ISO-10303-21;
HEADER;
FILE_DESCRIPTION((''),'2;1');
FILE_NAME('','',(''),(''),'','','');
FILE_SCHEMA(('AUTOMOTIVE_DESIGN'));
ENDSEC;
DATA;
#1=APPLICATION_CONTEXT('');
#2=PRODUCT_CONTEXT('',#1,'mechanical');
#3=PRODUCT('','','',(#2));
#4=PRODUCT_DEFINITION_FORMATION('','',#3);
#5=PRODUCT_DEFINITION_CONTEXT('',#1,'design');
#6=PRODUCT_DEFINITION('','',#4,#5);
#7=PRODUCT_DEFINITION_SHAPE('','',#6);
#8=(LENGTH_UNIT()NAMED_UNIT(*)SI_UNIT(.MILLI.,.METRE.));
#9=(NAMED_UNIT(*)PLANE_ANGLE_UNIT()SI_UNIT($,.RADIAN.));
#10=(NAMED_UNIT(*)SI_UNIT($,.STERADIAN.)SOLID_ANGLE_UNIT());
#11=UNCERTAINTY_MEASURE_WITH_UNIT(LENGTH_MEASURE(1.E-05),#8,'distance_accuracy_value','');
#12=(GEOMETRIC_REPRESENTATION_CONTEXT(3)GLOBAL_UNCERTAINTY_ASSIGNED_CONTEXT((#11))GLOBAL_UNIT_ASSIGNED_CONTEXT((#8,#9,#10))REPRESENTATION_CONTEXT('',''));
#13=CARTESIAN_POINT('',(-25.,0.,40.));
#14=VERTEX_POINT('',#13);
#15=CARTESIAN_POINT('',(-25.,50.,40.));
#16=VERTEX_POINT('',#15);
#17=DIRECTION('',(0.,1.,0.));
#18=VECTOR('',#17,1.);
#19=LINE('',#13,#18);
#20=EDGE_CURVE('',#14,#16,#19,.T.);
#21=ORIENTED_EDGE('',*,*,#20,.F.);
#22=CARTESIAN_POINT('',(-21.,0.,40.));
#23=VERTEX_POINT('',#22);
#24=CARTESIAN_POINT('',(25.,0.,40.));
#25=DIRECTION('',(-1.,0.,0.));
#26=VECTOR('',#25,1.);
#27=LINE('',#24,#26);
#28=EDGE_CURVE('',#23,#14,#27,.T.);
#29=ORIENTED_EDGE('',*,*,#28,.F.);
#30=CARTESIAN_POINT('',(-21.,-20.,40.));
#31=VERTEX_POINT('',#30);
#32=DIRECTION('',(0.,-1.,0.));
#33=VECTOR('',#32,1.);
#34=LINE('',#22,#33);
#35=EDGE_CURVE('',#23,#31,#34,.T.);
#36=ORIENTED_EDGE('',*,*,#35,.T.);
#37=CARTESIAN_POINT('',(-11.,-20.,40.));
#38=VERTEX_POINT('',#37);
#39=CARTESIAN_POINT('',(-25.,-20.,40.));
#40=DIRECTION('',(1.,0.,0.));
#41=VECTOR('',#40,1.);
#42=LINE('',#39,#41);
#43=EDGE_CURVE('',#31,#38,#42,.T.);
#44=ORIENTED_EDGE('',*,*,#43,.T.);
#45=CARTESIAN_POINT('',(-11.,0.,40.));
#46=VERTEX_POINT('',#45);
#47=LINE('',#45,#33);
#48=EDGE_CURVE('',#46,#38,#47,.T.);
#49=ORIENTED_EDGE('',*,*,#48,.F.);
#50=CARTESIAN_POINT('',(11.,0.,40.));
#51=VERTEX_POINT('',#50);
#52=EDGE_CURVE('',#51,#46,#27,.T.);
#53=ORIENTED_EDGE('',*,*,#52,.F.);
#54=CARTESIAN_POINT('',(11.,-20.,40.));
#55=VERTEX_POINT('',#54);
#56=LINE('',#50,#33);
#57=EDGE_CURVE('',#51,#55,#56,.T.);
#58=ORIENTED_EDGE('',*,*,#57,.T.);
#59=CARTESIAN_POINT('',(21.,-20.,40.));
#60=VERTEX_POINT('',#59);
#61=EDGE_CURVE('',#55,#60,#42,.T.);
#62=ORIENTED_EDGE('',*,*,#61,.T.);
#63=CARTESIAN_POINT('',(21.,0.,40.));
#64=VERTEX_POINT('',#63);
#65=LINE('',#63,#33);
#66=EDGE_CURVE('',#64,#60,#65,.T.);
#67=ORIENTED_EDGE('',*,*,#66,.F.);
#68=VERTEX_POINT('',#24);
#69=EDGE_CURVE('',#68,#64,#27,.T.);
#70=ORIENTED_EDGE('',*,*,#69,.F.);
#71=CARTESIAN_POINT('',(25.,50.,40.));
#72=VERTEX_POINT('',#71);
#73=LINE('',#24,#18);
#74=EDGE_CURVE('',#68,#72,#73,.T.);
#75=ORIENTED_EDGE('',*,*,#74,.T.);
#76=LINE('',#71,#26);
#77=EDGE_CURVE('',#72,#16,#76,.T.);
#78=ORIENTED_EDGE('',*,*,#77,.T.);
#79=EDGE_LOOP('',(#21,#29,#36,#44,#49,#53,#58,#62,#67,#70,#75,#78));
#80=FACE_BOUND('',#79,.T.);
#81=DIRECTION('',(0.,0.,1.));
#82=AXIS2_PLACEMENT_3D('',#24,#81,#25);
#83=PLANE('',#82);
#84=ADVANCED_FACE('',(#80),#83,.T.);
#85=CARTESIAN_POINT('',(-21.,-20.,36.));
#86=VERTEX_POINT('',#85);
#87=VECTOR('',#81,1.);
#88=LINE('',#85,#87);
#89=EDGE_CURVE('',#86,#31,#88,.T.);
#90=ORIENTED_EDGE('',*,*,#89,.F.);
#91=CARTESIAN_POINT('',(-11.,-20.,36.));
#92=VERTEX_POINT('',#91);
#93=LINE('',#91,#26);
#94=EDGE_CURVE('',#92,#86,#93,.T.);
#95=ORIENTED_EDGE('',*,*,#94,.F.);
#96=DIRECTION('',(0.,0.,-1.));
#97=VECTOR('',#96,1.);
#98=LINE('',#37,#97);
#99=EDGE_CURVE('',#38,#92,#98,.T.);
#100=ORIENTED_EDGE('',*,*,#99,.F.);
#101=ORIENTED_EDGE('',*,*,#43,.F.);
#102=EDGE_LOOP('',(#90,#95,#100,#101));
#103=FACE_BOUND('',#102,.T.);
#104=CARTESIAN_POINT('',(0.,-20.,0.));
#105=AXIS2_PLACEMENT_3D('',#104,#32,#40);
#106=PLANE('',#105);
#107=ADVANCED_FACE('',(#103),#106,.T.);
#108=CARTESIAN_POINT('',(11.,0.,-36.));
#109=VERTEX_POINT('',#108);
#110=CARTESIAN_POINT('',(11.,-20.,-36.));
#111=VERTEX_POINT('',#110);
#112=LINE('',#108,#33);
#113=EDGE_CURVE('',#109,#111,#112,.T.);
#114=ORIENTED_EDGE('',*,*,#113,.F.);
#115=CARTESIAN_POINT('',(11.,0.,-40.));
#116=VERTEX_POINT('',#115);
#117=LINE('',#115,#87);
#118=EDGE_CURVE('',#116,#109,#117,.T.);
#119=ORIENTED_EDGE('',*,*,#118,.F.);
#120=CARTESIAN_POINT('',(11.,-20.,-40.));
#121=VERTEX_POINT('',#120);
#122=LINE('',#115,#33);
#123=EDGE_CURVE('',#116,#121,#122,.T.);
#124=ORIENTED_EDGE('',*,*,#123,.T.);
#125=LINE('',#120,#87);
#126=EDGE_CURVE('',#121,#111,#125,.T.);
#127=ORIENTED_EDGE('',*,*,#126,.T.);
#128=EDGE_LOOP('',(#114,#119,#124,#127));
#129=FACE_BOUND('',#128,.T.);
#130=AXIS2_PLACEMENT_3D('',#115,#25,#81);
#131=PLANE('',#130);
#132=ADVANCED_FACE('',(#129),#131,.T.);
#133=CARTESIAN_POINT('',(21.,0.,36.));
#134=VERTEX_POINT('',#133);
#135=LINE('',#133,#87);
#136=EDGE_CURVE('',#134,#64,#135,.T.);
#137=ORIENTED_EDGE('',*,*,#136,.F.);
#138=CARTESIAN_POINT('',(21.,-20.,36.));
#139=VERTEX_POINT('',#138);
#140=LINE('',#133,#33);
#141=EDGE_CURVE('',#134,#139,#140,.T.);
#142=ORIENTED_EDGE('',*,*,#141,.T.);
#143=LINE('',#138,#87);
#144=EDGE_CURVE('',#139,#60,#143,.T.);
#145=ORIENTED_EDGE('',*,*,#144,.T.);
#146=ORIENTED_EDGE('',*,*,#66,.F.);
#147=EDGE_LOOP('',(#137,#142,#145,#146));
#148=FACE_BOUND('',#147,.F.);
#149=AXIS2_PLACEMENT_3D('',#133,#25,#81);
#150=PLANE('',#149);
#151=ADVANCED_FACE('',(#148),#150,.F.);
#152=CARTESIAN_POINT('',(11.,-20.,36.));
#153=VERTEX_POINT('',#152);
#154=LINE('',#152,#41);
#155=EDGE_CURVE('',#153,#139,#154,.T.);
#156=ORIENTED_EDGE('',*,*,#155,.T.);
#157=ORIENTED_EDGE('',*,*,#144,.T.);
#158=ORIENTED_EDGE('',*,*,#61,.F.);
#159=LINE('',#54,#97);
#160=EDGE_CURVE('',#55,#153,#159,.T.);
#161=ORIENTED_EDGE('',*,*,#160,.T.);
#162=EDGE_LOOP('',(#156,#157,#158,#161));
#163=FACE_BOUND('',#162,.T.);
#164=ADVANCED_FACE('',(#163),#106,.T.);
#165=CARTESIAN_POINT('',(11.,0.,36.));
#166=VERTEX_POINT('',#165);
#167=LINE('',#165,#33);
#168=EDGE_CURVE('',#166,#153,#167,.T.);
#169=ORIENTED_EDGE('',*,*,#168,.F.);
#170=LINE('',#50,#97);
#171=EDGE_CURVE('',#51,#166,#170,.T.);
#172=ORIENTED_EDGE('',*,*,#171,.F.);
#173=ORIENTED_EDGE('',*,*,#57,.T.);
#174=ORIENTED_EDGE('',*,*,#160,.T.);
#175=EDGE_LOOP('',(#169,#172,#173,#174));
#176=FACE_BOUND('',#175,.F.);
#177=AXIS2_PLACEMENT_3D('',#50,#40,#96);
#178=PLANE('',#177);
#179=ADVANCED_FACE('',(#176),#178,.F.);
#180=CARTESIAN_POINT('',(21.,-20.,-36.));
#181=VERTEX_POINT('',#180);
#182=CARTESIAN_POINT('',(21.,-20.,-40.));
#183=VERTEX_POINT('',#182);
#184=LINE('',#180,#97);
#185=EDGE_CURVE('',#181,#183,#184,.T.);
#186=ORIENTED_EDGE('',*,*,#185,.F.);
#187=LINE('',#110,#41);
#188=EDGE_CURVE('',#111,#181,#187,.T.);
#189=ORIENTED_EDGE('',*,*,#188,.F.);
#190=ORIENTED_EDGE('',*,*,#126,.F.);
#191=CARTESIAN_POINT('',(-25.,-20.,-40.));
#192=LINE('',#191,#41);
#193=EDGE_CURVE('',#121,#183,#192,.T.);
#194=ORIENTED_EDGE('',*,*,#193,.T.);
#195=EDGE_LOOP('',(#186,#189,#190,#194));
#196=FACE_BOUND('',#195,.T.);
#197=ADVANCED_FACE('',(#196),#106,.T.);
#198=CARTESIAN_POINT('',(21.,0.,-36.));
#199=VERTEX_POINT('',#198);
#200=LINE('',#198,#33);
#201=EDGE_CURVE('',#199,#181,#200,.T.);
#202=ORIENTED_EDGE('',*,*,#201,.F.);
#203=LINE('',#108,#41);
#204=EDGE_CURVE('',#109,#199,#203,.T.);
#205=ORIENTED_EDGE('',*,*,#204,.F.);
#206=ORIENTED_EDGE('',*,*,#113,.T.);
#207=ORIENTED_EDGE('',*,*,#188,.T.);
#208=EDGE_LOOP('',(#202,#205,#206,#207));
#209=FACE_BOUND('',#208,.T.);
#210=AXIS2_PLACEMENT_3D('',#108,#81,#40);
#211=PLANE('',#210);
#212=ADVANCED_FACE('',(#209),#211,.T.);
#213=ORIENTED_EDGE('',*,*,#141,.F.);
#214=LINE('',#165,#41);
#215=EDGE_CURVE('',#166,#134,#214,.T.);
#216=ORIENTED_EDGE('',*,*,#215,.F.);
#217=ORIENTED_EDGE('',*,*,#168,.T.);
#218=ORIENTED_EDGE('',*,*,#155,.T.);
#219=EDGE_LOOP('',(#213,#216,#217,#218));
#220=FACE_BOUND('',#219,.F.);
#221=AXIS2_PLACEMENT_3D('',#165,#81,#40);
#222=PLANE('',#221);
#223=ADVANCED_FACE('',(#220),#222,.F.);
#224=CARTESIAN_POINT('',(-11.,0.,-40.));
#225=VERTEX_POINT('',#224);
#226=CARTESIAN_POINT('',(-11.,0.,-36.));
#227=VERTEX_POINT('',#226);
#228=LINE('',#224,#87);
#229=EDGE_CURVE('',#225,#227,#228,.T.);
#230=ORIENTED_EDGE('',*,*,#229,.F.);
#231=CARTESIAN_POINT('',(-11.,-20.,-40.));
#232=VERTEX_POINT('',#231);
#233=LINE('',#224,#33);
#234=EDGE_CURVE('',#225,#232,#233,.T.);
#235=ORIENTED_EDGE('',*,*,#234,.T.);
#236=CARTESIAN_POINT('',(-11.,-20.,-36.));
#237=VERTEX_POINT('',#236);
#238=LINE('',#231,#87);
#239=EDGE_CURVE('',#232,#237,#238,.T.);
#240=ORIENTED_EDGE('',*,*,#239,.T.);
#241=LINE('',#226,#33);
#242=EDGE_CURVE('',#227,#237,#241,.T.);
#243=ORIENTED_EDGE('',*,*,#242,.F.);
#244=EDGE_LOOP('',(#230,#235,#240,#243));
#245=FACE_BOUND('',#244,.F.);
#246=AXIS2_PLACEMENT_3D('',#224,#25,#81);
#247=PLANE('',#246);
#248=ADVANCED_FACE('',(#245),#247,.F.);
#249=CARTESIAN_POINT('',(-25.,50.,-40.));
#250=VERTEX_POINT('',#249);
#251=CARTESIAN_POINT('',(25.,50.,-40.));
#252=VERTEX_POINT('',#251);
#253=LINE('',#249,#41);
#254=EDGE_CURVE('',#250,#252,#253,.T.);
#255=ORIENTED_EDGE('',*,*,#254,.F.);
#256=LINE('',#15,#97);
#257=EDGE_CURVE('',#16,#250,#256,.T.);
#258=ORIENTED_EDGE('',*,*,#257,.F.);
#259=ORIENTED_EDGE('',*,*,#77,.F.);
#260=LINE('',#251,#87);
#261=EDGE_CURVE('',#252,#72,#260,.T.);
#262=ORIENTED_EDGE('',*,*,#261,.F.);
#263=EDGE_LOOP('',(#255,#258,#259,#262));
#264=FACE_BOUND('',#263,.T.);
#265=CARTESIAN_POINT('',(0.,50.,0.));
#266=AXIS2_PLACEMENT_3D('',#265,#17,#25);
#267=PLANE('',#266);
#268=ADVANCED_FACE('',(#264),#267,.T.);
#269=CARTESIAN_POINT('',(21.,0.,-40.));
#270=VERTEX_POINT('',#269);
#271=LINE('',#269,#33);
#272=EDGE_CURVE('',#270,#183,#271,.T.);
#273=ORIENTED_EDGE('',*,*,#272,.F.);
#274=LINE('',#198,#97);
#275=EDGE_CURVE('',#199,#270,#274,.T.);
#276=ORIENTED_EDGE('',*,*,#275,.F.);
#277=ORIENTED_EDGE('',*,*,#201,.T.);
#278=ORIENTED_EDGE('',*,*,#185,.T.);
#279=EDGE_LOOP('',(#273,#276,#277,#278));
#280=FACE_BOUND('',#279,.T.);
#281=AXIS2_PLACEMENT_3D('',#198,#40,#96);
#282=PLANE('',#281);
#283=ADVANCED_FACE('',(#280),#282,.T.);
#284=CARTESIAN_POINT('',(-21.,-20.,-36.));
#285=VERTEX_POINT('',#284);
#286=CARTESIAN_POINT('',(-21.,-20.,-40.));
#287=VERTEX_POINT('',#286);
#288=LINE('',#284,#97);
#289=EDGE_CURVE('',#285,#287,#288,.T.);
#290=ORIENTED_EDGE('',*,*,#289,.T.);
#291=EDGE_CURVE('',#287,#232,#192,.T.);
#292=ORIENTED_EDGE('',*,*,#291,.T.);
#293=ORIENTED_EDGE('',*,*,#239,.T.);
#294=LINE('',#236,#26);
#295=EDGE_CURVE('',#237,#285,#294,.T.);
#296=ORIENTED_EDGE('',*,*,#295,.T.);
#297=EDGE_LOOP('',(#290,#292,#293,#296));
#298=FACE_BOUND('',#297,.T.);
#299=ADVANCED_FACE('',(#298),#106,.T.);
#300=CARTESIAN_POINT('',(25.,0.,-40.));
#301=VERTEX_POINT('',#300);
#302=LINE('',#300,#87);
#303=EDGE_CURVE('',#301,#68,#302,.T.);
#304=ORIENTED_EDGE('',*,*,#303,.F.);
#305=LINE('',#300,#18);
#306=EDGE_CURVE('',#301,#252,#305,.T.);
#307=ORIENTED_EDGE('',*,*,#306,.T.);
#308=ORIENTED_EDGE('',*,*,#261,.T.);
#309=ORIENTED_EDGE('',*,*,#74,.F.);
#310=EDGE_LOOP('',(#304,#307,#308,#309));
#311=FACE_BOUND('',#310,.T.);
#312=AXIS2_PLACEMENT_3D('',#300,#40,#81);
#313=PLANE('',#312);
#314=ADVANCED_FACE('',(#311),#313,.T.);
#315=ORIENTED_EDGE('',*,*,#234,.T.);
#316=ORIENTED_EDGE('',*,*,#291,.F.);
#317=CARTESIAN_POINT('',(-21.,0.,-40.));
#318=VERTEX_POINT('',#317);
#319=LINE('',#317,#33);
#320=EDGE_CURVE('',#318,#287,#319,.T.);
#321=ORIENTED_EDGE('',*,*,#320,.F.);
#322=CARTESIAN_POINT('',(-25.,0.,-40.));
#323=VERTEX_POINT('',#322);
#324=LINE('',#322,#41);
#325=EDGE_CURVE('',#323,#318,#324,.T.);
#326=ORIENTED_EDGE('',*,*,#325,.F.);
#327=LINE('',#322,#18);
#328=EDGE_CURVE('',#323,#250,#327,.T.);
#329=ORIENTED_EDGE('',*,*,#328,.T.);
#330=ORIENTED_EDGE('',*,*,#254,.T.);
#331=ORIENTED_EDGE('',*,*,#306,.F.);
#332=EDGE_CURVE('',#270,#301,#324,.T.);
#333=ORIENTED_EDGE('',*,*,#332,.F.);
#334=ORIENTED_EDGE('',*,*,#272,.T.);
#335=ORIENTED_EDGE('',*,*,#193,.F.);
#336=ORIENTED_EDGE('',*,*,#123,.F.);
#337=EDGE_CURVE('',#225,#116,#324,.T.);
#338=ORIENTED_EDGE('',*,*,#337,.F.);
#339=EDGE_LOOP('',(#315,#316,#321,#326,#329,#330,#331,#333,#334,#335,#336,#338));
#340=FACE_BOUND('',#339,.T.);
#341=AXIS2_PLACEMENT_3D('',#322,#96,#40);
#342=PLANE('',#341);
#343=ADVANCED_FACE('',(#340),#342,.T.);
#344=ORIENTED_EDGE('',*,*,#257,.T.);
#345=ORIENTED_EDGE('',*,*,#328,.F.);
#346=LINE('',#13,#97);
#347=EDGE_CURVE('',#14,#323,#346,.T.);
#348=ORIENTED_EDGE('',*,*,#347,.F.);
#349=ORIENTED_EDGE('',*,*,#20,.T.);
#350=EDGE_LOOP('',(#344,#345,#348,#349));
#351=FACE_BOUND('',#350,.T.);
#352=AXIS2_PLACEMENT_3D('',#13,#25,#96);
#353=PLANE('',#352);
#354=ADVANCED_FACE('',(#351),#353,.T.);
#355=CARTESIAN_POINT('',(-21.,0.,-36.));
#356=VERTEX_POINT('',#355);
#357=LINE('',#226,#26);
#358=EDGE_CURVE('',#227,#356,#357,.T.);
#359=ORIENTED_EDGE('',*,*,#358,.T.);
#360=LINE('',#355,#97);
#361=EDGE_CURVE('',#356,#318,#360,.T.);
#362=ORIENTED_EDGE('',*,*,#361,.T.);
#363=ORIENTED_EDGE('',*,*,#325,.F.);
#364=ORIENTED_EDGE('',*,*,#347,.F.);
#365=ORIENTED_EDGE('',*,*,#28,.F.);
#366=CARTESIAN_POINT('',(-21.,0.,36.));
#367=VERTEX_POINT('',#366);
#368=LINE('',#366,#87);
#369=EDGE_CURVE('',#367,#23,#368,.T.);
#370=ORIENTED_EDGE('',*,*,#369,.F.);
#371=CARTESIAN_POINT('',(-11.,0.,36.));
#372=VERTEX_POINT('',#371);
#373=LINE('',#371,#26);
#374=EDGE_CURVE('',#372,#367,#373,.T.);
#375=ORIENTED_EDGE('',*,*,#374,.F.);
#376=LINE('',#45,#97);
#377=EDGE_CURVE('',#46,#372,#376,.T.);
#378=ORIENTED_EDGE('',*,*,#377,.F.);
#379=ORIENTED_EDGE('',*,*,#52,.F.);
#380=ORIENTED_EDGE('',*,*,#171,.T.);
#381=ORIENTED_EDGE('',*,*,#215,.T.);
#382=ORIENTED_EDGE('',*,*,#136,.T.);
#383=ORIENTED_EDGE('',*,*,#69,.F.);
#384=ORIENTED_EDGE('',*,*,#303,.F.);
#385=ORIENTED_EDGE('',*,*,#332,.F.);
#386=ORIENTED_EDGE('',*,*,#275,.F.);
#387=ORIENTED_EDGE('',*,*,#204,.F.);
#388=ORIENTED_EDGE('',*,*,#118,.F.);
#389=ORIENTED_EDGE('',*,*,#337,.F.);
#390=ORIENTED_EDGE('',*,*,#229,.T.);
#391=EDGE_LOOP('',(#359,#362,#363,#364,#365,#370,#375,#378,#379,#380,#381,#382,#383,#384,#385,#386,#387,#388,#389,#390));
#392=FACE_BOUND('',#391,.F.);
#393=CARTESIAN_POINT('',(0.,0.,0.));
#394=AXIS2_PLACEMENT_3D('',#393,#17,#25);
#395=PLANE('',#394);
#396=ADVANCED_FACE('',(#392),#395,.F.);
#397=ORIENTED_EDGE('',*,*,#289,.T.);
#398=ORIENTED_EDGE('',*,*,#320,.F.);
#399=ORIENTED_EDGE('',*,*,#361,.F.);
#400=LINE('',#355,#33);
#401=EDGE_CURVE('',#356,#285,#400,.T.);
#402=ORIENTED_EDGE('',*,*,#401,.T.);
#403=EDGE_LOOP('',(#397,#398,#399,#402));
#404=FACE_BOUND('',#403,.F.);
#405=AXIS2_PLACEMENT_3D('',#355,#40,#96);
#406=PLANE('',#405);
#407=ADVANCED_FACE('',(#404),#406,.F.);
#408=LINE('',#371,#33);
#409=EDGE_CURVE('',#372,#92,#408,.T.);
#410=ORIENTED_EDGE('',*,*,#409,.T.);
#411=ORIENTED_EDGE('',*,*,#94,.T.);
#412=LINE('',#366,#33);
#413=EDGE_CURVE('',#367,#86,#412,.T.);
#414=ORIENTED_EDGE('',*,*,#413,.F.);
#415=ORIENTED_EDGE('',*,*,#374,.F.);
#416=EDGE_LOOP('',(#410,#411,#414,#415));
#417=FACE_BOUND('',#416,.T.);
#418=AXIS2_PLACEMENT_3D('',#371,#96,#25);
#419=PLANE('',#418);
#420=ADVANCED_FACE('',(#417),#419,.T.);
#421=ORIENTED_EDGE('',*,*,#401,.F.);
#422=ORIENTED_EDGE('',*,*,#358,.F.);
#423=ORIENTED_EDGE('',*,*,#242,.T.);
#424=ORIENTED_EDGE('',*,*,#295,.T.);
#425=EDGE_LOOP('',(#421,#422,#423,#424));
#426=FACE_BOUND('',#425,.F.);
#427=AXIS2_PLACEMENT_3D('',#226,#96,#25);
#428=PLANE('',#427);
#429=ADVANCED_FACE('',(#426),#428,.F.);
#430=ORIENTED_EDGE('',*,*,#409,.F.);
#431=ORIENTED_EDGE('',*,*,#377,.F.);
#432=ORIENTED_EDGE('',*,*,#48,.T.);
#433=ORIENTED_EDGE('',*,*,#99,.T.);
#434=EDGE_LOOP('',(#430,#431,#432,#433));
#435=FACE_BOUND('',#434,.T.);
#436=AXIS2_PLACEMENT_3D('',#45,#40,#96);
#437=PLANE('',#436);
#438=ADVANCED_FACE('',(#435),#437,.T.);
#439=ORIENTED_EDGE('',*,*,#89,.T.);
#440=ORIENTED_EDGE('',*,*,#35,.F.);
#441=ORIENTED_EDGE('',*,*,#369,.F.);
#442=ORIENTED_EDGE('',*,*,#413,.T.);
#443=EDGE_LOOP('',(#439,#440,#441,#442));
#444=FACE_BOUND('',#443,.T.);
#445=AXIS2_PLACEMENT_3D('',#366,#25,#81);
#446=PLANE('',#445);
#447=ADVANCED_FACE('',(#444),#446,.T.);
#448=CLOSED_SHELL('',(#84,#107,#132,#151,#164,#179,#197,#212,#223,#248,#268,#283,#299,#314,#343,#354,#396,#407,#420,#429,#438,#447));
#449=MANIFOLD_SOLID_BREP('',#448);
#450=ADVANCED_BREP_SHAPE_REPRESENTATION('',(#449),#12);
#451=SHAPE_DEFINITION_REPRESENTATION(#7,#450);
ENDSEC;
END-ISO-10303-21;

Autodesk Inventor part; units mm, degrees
ref_plane "YZ Plane" through (0, 0, 0) normal (1, 0, 0) x (0, 1, 0)
ref_plane "XZ Plane" through (0, 0, 0) normal (0, 1, 0) x (-1, 0, 0)
ref_plane "XY Plane" through (0, 0, 0) normal (0, 0, 1) x (1, 0, 0)
sketch "Boceto1" plane through (0, 0, 0) normal (0, 1, 0) x (-1, 0, 0)
  line L0 (-25, 40) -> (25, 40)
  line L1 (25, 40) -> (25, -40)
  line L2 (25, -40) -> (-25, -40)
  line L3 (-25, -40) -> (-25, 40)
  line L4 (-25, 40) -> (25, -40) construction
  line L5 (25, 40) -> (-25, -40) construction
  point P0 (0, 0)
  dimension "d0" = 50
  dimension "d1" = 80
extrude "Extrusión1" add sketch "Boceto1" along normal blind 50
sketch "Boceto2" plane through (0, 0, 0) normal (0, -1, 0) x (1, 0, 0)
  line L0 (-25, 40) -> (25, 40) projected
  line L1 (21, 40) -> (11, 40)
  line L2 (11, 40) -> (11, 36)
  line L3 (11, 36) -> (21, 36)
  line L4 (21, 36) -> (21, 40)
  line L5 (-25, -40) -> (25, -40)
  line L6 (21, -40) -> (11, -40)
  line L7 (11, -40) -> (11, -36)
  line L8 (11, -36) -> (21, -36)
  line L9 (21, -36) -> (21, -40)
  line L10 (25, 40) -> (-25, 40)
  line L11 (-11, 40) -> (-11, 36)
  line L12 (-11, 36) -> (-21, 36)
  line L13 (-21, 36) -> (-21, 40)
  line L14 (-21, -36) -> (-21, -40)
  line L15 (-11, -40) -> (-11, -36)
  line L16 (-11, -36) -> (-21, -36)
  line L17 (25, -40) -> (-25, -40)
  point P0 (0, 0)
  dimension "d6" = 4
extrude "Extrusión2" add sketch "Boceto2" along normal blind 20
properties part number "Caja"
